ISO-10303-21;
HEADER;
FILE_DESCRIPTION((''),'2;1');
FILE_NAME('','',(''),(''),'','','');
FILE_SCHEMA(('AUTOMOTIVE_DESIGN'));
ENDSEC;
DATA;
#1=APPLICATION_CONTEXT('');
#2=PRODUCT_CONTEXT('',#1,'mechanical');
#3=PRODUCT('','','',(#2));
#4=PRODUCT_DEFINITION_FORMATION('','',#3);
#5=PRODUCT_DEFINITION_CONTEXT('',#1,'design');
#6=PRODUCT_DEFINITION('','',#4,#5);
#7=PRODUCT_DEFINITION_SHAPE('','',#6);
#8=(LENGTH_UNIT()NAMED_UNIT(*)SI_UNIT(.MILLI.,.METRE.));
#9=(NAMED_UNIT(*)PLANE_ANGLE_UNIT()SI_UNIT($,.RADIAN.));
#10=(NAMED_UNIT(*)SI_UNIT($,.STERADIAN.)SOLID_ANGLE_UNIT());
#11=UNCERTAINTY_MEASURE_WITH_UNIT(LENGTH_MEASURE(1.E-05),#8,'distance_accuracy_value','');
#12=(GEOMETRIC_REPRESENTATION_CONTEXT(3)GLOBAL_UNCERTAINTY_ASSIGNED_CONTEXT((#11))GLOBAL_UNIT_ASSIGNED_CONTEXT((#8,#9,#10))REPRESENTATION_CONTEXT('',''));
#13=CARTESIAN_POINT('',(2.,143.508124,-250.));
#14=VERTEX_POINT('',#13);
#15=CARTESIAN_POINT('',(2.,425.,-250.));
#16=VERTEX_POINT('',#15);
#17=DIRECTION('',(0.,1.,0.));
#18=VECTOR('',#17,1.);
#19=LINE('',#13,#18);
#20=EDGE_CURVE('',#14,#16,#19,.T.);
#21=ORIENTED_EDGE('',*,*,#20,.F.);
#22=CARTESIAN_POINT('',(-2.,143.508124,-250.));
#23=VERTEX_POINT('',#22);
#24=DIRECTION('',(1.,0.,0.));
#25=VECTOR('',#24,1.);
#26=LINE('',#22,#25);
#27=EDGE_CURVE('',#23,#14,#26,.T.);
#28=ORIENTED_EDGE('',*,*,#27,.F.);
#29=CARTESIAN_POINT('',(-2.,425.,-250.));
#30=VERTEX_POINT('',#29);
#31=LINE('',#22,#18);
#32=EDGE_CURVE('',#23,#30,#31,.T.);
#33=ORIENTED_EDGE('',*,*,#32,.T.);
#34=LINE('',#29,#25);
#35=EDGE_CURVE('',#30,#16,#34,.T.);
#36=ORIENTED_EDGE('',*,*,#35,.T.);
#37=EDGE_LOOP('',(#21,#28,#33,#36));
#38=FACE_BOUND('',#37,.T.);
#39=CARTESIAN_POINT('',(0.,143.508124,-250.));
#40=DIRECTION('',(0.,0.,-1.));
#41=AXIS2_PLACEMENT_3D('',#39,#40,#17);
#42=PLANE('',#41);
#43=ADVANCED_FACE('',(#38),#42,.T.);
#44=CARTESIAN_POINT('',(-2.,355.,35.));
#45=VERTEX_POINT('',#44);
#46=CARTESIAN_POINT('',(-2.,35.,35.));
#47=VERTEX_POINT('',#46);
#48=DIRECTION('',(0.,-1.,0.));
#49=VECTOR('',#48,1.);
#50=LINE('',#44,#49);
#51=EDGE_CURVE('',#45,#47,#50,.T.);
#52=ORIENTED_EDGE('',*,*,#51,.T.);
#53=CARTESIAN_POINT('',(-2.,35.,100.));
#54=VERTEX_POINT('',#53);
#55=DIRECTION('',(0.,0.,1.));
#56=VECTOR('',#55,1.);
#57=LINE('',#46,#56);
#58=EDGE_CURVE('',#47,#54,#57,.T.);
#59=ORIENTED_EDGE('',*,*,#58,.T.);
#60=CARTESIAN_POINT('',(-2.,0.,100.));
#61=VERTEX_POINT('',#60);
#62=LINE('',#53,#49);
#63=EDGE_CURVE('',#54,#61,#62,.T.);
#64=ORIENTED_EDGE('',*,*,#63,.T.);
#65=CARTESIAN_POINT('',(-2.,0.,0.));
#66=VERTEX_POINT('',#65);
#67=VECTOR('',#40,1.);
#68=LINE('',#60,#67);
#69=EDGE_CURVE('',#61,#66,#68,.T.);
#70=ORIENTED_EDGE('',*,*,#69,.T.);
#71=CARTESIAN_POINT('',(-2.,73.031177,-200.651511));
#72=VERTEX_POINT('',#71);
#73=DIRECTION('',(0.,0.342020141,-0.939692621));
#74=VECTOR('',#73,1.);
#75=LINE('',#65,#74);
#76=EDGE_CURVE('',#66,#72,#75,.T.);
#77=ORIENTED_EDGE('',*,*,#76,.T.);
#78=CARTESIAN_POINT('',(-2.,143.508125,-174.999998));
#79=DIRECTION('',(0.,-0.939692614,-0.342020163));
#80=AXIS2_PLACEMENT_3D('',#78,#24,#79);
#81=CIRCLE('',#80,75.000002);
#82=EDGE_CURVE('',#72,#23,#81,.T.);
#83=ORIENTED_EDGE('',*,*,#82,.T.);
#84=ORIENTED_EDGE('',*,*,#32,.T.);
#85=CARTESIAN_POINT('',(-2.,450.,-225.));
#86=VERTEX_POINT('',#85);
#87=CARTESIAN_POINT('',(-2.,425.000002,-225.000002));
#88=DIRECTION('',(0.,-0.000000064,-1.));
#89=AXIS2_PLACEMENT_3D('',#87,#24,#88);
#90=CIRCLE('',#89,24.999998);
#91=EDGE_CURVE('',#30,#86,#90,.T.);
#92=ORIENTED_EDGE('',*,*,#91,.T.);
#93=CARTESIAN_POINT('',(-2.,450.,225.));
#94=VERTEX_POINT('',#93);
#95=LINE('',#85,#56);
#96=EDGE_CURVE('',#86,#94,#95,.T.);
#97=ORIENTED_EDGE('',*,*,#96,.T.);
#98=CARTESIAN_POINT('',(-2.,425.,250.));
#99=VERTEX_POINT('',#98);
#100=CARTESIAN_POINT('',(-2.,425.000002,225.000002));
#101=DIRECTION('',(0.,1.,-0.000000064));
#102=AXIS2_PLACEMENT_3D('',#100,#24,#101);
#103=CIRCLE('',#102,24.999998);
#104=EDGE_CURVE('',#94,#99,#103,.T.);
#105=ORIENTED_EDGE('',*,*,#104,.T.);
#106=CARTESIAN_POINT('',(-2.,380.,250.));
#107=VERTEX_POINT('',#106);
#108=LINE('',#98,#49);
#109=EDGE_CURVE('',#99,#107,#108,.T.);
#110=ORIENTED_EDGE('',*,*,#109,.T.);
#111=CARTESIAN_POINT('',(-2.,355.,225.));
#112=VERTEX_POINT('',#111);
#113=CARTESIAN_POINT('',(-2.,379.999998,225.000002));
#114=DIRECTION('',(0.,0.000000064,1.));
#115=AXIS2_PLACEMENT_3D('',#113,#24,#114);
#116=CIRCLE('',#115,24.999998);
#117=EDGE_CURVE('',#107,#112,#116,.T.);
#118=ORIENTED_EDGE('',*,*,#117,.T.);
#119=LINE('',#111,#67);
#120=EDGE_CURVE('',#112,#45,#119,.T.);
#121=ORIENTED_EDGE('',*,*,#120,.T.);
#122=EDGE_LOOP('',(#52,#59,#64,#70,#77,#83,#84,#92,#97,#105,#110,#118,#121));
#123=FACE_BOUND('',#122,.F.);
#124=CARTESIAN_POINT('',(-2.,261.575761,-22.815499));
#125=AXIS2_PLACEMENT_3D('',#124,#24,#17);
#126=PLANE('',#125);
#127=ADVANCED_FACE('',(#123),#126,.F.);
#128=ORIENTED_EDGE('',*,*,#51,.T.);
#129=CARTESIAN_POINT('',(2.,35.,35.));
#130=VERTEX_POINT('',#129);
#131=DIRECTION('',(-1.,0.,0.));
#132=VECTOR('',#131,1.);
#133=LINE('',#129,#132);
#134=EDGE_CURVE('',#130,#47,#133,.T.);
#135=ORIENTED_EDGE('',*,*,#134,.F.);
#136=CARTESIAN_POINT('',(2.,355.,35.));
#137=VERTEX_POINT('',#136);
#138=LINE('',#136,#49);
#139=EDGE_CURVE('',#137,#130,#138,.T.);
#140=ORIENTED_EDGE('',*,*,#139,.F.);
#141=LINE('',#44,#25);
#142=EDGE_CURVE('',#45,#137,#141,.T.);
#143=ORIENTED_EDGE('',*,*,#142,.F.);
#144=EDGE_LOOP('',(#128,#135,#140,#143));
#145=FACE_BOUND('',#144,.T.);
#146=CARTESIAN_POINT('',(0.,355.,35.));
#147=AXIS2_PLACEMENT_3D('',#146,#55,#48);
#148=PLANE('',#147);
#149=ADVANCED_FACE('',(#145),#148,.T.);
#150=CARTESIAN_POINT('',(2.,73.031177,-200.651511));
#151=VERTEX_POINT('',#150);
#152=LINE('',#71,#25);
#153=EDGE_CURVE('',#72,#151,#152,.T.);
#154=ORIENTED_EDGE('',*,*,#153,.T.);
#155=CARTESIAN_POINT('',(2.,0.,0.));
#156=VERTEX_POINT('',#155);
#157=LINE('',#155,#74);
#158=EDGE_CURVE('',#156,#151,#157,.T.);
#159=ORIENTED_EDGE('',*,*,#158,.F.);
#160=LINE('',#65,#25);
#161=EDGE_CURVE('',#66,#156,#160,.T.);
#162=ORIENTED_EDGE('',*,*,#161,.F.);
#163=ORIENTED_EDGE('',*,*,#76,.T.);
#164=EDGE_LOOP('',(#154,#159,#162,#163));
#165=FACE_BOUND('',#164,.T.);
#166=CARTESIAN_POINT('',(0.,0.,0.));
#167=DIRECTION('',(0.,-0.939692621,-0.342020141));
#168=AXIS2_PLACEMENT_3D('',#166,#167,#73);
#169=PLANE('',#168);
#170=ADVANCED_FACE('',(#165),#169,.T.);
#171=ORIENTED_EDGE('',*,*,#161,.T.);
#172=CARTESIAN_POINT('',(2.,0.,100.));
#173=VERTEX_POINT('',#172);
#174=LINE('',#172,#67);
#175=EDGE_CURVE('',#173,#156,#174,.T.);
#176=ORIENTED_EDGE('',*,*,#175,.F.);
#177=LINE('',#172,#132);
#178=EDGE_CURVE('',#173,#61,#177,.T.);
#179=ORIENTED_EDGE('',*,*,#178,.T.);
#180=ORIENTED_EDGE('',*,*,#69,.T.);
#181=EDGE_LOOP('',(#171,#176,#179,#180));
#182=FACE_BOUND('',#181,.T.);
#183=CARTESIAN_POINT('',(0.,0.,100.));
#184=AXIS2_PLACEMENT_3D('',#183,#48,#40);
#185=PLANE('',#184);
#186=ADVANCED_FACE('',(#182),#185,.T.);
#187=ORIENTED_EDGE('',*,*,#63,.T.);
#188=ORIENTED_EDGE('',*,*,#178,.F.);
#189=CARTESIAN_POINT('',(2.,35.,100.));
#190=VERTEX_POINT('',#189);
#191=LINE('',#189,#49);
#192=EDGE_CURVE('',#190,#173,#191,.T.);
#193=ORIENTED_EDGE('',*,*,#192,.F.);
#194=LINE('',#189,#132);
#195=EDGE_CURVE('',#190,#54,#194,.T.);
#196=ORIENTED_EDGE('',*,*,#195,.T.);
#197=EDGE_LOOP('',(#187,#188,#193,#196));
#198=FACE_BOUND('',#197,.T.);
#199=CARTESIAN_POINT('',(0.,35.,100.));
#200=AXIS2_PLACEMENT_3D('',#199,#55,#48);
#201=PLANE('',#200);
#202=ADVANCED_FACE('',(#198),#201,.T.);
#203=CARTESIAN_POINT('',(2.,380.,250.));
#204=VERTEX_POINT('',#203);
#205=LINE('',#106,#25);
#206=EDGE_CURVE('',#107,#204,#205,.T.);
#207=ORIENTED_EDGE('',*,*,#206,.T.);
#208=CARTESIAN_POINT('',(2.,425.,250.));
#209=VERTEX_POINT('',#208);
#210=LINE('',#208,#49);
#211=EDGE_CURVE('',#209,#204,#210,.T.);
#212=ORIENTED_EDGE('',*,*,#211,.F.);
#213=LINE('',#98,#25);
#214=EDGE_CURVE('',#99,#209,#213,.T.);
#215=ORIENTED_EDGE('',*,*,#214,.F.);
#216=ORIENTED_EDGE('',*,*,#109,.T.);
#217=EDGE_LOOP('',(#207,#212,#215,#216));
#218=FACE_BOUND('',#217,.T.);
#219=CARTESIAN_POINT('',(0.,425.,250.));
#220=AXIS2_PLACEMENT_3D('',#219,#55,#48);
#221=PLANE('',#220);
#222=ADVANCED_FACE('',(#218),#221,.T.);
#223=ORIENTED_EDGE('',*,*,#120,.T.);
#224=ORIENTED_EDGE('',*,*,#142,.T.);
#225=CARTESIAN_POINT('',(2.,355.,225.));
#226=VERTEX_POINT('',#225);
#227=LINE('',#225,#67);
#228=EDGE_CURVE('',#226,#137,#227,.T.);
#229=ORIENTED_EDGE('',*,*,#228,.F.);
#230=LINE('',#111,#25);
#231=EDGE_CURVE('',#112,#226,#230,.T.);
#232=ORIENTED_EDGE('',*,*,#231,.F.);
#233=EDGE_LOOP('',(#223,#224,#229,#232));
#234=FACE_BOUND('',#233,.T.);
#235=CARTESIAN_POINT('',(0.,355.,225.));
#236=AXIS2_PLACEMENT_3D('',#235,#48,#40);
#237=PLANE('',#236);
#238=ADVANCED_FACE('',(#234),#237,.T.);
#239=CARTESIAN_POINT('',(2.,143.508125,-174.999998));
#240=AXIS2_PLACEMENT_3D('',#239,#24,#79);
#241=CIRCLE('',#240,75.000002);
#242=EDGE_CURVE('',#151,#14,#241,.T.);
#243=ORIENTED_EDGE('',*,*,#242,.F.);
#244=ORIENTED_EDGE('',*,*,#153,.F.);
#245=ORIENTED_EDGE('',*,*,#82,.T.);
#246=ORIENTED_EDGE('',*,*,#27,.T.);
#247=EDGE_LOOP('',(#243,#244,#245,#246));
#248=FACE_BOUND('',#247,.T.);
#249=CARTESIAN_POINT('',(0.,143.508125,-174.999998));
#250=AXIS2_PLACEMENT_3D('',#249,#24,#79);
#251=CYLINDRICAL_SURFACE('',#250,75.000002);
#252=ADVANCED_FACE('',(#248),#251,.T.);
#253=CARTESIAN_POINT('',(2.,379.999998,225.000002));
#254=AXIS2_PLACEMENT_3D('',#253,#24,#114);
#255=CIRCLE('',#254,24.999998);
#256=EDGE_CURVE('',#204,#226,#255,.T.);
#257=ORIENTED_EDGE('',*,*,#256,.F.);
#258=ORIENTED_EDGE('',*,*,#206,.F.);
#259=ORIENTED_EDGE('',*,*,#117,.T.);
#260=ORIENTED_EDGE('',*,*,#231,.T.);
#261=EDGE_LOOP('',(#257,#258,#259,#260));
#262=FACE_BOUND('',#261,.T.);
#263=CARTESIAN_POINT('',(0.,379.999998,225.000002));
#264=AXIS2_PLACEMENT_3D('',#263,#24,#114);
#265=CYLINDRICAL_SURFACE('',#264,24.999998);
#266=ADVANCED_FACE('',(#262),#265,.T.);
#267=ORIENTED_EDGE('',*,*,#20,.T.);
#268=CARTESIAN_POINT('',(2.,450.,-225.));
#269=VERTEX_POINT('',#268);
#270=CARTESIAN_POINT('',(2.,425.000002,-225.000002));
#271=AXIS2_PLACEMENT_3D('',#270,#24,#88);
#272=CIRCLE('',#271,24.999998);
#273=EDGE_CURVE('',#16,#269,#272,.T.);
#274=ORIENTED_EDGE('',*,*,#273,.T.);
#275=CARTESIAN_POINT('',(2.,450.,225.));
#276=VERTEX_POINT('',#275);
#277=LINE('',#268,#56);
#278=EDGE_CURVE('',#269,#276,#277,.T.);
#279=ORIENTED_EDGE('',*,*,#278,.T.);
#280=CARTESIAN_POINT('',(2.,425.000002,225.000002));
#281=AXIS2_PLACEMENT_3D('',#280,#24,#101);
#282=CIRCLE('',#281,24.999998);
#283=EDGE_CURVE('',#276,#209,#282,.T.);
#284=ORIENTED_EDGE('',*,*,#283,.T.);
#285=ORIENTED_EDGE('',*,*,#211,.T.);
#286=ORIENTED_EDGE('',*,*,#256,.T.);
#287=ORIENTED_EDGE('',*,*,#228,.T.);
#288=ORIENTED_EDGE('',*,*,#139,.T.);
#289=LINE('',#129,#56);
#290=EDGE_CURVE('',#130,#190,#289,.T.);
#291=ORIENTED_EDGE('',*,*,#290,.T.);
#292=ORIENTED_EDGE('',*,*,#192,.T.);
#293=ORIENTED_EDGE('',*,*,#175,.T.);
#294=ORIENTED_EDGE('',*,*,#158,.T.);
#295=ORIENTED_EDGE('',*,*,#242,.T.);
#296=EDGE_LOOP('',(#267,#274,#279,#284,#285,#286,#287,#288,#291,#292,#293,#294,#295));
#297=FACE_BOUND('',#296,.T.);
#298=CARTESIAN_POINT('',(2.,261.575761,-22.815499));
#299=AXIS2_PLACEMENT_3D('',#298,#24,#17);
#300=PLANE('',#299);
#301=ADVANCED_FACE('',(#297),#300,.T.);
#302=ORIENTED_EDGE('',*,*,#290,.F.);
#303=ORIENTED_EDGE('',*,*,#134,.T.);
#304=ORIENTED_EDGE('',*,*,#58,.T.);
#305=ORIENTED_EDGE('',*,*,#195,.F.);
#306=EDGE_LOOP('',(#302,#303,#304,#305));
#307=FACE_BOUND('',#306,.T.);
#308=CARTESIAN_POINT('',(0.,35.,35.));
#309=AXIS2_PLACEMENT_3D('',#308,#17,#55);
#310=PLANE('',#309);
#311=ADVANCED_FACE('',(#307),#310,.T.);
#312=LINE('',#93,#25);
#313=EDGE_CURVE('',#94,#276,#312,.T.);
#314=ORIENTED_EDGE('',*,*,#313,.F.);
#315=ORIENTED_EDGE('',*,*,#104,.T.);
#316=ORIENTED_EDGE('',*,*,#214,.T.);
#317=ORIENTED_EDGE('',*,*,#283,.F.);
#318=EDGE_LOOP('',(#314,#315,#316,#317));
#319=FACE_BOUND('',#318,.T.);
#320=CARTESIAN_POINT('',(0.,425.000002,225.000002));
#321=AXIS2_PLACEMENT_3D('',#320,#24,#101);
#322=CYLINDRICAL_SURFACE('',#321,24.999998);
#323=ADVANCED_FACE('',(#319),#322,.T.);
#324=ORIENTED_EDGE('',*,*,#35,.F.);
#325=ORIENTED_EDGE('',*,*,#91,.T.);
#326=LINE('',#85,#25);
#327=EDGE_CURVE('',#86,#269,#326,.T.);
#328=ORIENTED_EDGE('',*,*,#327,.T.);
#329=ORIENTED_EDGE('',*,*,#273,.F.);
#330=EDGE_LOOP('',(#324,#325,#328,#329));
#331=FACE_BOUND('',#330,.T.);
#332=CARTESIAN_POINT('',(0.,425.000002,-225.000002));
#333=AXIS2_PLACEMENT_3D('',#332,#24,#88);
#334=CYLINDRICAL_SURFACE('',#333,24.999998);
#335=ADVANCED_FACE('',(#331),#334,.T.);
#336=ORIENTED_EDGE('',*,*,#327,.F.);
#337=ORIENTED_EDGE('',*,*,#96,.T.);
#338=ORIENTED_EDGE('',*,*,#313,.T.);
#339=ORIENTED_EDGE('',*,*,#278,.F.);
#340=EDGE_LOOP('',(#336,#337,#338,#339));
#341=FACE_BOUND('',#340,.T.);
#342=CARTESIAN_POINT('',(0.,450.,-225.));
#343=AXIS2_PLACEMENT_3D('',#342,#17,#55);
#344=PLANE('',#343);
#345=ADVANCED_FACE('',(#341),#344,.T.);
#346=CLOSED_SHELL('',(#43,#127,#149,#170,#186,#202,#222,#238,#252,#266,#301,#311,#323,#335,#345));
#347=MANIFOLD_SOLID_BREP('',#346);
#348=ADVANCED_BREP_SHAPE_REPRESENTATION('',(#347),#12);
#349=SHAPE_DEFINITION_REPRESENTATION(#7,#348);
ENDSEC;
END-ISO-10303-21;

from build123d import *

# Parameters (mm, degrees)
F1_DEPTH      = 2
F1_DEPTH_BACK = 2


with BuildPart() as f1:
    # F0 (on Right) → F1 (new body, two sides)
    with BuildSketch(Plane.YZ) as f1_sk:
        with BuildLine():
            Line((0, 100), (0, 0))
            Line((0, 0), (73.031177, -200.651511))
            ThreePointArc((73.031177, -200.651511), (100.489891, -236.436403), (143.508124, -250))
            Line((143.508124, -250), (425, -250))
            ThreePointArc((425, -250), (442.67767, -242.67767), (450, -225))
            Line((450, -225), (450, 0))
            Line((450, 0), (450, 225))
            ThreePointArc((450, 225), (442.67767, 242.67767), (425, 250))
            Line((425, 250), (380, 250))
            ThreePointArc((380, 250), (362.32233, 242.67767), (355, 225))
            Line((355, 225), (355, 35))
            Line((355, 35), (35, 35))
            Line((35, 35), (35, 100))
            Line((35, 100), (0, 100))
        make_face()
    extrude(amount=F1_DEPTH)
    extrude(f1_sk.sketch, amount=-F1_DEPTH_BACK)


solid = f1.part
